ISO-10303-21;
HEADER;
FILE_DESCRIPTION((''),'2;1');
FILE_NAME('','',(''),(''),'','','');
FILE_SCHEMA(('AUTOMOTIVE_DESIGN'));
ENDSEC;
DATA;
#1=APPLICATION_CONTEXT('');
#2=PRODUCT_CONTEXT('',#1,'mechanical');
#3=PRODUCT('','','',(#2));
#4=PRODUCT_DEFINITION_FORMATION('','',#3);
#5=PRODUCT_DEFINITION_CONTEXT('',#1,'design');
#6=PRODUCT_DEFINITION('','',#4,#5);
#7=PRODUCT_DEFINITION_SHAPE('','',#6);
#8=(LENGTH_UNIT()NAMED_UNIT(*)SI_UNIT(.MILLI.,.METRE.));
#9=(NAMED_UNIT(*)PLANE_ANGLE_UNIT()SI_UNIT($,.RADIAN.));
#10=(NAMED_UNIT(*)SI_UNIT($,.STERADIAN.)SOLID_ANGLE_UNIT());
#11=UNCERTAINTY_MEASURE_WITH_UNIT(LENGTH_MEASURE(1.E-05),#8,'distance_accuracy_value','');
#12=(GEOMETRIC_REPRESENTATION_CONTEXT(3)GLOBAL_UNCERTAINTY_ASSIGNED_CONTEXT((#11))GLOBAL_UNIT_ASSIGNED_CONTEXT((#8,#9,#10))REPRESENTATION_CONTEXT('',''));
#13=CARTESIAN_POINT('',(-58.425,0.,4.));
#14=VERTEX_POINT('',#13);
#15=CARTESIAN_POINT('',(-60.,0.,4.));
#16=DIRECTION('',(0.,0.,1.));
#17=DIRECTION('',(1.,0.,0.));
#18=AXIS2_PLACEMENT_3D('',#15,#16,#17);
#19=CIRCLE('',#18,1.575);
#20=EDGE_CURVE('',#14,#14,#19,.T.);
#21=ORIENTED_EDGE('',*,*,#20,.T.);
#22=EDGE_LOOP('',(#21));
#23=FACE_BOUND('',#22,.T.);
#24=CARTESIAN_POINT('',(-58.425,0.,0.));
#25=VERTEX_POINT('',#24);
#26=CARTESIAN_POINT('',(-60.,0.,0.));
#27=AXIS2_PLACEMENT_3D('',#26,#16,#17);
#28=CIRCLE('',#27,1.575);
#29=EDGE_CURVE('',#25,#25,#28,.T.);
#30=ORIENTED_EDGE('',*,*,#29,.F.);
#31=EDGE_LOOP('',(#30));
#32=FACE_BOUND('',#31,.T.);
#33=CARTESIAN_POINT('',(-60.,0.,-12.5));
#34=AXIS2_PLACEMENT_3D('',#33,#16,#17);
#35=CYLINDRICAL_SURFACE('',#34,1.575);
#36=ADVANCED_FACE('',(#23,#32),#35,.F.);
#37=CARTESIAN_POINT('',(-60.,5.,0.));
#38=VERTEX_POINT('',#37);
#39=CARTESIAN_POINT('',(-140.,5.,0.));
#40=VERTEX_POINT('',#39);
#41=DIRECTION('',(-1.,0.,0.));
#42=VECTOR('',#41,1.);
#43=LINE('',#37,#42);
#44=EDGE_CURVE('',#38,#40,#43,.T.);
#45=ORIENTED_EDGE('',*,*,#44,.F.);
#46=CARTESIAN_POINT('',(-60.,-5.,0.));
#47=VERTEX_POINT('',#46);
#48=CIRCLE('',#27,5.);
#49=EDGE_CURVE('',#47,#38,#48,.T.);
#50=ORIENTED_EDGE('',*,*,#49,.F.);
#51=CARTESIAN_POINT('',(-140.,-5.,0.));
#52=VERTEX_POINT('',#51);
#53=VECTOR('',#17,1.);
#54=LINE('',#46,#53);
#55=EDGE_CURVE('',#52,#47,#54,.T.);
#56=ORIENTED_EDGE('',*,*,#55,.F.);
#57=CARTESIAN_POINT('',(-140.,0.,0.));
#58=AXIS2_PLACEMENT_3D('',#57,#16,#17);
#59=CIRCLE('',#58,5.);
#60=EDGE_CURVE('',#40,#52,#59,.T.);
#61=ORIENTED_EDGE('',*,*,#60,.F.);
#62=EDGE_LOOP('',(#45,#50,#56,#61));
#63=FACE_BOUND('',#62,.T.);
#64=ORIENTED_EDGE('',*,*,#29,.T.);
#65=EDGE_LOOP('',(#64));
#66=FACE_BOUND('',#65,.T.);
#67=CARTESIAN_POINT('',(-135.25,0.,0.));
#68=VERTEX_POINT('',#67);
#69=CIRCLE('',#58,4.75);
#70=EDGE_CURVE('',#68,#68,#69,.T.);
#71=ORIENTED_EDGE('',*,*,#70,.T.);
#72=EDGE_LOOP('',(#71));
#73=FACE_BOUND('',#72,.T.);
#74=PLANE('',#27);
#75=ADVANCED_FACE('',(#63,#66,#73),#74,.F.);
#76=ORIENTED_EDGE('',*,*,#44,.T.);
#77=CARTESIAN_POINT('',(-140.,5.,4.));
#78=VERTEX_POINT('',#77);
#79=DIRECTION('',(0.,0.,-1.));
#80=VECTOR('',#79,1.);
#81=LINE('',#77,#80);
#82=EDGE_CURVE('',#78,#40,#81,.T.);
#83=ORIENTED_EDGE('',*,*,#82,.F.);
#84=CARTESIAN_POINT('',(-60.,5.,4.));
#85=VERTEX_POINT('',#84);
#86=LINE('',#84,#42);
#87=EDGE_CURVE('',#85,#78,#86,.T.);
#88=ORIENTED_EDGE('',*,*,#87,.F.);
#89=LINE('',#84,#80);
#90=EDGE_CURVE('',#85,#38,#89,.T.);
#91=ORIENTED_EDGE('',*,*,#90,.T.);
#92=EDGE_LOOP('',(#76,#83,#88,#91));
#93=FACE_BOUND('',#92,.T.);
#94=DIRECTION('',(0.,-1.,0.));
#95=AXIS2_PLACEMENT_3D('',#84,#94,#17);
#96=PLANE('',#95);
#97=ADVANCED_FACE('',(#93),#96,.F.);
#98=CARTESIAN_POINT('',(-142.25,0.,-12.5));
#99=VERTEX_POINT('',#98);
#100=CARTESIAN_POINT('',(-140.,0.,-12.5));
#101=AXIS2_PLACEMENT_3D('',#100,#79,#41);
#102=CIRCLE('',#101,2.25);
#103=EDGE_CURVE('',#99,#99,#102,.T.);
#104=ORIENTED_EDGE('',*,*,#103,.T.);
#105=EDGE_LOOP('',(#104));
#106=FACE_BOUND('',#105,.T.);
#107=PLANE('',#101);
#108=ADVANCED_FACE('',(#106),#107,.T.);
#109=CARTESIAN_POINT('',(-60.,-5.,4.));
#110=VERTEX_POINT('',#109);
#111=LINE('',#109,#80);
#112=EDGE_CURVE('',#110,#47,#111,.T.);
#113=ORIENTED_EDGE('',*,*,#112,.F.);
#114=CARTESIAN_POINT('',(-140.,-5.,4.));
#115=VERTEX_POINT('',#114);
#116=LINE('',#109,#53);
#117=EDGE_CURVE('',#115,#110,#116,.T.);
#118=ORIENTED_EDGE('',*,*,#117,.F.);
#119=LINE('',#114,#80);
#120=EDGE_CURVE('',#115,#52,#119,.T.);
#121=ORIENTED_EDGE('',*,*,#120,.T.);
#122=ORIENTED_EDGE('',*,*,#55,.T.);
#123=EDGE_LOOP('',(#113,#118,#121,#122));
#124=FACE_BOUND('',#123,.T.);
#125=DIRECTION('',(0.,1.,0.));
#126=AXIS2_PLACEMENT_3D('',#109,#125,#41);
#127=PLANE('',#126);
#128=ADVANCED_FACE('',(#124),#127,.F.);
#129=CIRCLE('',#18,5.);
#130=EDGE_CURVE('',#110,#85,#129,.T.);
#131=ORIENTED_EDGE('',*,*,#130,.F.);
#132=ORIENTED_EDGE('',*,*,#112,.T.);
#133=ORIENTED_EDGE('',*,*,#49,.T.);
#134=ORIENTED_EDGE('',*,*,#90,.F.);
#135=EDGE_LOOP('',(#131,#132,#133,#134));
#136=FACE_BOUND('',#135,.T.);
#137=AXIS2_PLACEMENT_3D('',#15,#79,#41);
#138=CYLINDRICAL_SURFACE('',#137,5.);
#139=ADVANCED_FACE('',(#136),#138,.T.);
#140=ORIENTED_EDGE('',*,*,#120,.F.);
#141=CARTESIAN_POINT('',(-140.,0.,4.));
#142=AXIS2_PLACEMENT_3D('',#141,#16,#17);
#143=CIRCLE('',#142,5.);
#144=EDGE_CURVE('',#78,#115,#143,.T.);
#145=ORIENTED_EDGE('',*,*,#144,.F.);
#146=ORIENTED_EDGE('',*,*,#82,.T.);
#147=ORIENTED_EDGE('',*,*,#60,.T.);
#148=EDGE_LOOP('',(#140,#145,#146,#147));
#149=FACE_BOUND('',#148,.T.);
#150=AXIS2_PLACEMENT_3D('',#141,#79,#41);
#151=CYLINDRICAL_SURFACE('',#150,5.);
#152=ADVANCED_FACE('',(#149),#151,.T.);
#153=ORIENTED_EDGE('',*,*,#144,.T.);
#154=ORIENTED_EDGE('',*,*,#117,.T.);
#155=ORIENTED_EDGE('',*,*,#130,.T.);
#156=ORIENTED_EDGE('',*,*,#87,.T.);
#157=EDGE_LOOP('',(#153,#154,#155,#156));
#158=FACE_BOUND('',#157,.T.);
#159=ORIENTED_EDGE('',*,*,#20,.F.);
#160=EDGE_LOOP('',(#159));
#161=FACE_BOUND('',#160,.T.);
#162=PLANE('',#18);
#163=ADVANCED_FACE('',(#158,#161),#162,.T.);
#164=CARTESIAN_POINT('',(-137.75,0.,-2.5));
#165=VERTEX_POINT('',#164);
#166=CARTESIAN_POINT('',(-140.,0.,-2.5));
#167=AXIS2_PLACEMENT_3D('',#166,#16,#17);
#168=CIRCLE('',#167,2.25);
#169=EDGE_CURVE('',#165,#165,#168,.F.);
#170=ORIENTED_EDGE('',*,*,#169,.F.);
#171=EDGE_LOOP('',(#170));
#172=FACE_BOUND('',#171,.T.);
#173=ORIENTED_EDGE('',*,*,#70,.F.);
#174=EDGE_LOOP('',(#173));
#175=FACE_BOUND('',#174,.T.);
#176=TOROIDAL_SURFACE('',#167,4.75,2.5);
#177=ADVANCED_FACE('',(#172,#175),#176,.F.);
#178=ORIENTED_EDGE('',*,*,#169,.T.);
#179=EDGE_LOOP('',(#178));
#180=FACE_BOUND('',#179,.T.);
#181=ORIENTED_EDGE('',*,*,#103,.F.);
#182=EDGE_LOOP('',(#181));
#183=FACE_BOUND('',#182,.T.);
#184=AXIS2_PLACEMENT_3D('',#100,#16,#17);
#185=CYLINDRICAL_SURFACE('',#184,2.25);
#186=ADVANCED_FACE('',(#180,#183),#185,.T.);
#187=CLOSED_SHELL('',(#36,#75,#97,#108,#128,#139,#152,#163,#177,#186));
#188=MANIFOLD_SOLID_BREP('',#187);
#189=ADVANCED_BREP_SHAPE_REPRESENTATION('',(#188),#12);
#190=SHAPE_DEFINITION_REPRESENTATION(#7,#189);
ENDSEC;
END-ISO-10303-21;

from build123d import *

# Parameters (mm, degrees)
BOSS_EXTRUDE1_DEPTH = 4
SKETCH2_R           = 2.25
BOSS_EXTRUDE2_DEPTH = 12.5
FILLET1_R           = 2.5
SKETCH4_R           = 1.575
CUT_EXTRUDE1_DEPTH  = 147.021402541


with BuildPart() as part:
    # Sketch1 → Boss-Extrude1 (new body)
    with BuildSketch(Plane.XY):
        with BuildLine():
            Line((-60, -5), (-140, -5))
            ThreePointArc((-140, -5), (-145, 0), (-140, 5))
            Line((-140, 5), (-60, 5))
            ThreePointArc((-60, 5), (-55, 0), (-60, -5))
        make_face()
    extrude(amount=BOSS_EXTRUDE1_DEPTH)

    # Sketch2 → Boss-Extrude2 (add)
    with BuildSketch(Plane(origin=(0, 0, 0), x_dir=(-1, 0, 0), z_dir=(0, 0, -1))):
        with Locations((140, 0)):
            Circle(SKETCH2_R)
    extrude(amount=BOSS_EXTRUDE2_DEPTH)

    # Fillet1
    fillet1_edges = [part.edges().sort_by_distance(p)[0] for p in [
        (-137.75, 0, 0),
    ]]
    fillet(fillet1_edges, radius=FILLET1_R)

    # Sketch4 → Cut-Extrude1 (cut, through all)
    with BuildSketch(Plane.XY.offset(4)):
        with Locations((-60, 0)):
            Circle(SKETCH4_R)
    extrude(amount=-CUT_EXTRUDE1_DEPTH, mode=Mode.SUBTRACT)


solid = part.part
